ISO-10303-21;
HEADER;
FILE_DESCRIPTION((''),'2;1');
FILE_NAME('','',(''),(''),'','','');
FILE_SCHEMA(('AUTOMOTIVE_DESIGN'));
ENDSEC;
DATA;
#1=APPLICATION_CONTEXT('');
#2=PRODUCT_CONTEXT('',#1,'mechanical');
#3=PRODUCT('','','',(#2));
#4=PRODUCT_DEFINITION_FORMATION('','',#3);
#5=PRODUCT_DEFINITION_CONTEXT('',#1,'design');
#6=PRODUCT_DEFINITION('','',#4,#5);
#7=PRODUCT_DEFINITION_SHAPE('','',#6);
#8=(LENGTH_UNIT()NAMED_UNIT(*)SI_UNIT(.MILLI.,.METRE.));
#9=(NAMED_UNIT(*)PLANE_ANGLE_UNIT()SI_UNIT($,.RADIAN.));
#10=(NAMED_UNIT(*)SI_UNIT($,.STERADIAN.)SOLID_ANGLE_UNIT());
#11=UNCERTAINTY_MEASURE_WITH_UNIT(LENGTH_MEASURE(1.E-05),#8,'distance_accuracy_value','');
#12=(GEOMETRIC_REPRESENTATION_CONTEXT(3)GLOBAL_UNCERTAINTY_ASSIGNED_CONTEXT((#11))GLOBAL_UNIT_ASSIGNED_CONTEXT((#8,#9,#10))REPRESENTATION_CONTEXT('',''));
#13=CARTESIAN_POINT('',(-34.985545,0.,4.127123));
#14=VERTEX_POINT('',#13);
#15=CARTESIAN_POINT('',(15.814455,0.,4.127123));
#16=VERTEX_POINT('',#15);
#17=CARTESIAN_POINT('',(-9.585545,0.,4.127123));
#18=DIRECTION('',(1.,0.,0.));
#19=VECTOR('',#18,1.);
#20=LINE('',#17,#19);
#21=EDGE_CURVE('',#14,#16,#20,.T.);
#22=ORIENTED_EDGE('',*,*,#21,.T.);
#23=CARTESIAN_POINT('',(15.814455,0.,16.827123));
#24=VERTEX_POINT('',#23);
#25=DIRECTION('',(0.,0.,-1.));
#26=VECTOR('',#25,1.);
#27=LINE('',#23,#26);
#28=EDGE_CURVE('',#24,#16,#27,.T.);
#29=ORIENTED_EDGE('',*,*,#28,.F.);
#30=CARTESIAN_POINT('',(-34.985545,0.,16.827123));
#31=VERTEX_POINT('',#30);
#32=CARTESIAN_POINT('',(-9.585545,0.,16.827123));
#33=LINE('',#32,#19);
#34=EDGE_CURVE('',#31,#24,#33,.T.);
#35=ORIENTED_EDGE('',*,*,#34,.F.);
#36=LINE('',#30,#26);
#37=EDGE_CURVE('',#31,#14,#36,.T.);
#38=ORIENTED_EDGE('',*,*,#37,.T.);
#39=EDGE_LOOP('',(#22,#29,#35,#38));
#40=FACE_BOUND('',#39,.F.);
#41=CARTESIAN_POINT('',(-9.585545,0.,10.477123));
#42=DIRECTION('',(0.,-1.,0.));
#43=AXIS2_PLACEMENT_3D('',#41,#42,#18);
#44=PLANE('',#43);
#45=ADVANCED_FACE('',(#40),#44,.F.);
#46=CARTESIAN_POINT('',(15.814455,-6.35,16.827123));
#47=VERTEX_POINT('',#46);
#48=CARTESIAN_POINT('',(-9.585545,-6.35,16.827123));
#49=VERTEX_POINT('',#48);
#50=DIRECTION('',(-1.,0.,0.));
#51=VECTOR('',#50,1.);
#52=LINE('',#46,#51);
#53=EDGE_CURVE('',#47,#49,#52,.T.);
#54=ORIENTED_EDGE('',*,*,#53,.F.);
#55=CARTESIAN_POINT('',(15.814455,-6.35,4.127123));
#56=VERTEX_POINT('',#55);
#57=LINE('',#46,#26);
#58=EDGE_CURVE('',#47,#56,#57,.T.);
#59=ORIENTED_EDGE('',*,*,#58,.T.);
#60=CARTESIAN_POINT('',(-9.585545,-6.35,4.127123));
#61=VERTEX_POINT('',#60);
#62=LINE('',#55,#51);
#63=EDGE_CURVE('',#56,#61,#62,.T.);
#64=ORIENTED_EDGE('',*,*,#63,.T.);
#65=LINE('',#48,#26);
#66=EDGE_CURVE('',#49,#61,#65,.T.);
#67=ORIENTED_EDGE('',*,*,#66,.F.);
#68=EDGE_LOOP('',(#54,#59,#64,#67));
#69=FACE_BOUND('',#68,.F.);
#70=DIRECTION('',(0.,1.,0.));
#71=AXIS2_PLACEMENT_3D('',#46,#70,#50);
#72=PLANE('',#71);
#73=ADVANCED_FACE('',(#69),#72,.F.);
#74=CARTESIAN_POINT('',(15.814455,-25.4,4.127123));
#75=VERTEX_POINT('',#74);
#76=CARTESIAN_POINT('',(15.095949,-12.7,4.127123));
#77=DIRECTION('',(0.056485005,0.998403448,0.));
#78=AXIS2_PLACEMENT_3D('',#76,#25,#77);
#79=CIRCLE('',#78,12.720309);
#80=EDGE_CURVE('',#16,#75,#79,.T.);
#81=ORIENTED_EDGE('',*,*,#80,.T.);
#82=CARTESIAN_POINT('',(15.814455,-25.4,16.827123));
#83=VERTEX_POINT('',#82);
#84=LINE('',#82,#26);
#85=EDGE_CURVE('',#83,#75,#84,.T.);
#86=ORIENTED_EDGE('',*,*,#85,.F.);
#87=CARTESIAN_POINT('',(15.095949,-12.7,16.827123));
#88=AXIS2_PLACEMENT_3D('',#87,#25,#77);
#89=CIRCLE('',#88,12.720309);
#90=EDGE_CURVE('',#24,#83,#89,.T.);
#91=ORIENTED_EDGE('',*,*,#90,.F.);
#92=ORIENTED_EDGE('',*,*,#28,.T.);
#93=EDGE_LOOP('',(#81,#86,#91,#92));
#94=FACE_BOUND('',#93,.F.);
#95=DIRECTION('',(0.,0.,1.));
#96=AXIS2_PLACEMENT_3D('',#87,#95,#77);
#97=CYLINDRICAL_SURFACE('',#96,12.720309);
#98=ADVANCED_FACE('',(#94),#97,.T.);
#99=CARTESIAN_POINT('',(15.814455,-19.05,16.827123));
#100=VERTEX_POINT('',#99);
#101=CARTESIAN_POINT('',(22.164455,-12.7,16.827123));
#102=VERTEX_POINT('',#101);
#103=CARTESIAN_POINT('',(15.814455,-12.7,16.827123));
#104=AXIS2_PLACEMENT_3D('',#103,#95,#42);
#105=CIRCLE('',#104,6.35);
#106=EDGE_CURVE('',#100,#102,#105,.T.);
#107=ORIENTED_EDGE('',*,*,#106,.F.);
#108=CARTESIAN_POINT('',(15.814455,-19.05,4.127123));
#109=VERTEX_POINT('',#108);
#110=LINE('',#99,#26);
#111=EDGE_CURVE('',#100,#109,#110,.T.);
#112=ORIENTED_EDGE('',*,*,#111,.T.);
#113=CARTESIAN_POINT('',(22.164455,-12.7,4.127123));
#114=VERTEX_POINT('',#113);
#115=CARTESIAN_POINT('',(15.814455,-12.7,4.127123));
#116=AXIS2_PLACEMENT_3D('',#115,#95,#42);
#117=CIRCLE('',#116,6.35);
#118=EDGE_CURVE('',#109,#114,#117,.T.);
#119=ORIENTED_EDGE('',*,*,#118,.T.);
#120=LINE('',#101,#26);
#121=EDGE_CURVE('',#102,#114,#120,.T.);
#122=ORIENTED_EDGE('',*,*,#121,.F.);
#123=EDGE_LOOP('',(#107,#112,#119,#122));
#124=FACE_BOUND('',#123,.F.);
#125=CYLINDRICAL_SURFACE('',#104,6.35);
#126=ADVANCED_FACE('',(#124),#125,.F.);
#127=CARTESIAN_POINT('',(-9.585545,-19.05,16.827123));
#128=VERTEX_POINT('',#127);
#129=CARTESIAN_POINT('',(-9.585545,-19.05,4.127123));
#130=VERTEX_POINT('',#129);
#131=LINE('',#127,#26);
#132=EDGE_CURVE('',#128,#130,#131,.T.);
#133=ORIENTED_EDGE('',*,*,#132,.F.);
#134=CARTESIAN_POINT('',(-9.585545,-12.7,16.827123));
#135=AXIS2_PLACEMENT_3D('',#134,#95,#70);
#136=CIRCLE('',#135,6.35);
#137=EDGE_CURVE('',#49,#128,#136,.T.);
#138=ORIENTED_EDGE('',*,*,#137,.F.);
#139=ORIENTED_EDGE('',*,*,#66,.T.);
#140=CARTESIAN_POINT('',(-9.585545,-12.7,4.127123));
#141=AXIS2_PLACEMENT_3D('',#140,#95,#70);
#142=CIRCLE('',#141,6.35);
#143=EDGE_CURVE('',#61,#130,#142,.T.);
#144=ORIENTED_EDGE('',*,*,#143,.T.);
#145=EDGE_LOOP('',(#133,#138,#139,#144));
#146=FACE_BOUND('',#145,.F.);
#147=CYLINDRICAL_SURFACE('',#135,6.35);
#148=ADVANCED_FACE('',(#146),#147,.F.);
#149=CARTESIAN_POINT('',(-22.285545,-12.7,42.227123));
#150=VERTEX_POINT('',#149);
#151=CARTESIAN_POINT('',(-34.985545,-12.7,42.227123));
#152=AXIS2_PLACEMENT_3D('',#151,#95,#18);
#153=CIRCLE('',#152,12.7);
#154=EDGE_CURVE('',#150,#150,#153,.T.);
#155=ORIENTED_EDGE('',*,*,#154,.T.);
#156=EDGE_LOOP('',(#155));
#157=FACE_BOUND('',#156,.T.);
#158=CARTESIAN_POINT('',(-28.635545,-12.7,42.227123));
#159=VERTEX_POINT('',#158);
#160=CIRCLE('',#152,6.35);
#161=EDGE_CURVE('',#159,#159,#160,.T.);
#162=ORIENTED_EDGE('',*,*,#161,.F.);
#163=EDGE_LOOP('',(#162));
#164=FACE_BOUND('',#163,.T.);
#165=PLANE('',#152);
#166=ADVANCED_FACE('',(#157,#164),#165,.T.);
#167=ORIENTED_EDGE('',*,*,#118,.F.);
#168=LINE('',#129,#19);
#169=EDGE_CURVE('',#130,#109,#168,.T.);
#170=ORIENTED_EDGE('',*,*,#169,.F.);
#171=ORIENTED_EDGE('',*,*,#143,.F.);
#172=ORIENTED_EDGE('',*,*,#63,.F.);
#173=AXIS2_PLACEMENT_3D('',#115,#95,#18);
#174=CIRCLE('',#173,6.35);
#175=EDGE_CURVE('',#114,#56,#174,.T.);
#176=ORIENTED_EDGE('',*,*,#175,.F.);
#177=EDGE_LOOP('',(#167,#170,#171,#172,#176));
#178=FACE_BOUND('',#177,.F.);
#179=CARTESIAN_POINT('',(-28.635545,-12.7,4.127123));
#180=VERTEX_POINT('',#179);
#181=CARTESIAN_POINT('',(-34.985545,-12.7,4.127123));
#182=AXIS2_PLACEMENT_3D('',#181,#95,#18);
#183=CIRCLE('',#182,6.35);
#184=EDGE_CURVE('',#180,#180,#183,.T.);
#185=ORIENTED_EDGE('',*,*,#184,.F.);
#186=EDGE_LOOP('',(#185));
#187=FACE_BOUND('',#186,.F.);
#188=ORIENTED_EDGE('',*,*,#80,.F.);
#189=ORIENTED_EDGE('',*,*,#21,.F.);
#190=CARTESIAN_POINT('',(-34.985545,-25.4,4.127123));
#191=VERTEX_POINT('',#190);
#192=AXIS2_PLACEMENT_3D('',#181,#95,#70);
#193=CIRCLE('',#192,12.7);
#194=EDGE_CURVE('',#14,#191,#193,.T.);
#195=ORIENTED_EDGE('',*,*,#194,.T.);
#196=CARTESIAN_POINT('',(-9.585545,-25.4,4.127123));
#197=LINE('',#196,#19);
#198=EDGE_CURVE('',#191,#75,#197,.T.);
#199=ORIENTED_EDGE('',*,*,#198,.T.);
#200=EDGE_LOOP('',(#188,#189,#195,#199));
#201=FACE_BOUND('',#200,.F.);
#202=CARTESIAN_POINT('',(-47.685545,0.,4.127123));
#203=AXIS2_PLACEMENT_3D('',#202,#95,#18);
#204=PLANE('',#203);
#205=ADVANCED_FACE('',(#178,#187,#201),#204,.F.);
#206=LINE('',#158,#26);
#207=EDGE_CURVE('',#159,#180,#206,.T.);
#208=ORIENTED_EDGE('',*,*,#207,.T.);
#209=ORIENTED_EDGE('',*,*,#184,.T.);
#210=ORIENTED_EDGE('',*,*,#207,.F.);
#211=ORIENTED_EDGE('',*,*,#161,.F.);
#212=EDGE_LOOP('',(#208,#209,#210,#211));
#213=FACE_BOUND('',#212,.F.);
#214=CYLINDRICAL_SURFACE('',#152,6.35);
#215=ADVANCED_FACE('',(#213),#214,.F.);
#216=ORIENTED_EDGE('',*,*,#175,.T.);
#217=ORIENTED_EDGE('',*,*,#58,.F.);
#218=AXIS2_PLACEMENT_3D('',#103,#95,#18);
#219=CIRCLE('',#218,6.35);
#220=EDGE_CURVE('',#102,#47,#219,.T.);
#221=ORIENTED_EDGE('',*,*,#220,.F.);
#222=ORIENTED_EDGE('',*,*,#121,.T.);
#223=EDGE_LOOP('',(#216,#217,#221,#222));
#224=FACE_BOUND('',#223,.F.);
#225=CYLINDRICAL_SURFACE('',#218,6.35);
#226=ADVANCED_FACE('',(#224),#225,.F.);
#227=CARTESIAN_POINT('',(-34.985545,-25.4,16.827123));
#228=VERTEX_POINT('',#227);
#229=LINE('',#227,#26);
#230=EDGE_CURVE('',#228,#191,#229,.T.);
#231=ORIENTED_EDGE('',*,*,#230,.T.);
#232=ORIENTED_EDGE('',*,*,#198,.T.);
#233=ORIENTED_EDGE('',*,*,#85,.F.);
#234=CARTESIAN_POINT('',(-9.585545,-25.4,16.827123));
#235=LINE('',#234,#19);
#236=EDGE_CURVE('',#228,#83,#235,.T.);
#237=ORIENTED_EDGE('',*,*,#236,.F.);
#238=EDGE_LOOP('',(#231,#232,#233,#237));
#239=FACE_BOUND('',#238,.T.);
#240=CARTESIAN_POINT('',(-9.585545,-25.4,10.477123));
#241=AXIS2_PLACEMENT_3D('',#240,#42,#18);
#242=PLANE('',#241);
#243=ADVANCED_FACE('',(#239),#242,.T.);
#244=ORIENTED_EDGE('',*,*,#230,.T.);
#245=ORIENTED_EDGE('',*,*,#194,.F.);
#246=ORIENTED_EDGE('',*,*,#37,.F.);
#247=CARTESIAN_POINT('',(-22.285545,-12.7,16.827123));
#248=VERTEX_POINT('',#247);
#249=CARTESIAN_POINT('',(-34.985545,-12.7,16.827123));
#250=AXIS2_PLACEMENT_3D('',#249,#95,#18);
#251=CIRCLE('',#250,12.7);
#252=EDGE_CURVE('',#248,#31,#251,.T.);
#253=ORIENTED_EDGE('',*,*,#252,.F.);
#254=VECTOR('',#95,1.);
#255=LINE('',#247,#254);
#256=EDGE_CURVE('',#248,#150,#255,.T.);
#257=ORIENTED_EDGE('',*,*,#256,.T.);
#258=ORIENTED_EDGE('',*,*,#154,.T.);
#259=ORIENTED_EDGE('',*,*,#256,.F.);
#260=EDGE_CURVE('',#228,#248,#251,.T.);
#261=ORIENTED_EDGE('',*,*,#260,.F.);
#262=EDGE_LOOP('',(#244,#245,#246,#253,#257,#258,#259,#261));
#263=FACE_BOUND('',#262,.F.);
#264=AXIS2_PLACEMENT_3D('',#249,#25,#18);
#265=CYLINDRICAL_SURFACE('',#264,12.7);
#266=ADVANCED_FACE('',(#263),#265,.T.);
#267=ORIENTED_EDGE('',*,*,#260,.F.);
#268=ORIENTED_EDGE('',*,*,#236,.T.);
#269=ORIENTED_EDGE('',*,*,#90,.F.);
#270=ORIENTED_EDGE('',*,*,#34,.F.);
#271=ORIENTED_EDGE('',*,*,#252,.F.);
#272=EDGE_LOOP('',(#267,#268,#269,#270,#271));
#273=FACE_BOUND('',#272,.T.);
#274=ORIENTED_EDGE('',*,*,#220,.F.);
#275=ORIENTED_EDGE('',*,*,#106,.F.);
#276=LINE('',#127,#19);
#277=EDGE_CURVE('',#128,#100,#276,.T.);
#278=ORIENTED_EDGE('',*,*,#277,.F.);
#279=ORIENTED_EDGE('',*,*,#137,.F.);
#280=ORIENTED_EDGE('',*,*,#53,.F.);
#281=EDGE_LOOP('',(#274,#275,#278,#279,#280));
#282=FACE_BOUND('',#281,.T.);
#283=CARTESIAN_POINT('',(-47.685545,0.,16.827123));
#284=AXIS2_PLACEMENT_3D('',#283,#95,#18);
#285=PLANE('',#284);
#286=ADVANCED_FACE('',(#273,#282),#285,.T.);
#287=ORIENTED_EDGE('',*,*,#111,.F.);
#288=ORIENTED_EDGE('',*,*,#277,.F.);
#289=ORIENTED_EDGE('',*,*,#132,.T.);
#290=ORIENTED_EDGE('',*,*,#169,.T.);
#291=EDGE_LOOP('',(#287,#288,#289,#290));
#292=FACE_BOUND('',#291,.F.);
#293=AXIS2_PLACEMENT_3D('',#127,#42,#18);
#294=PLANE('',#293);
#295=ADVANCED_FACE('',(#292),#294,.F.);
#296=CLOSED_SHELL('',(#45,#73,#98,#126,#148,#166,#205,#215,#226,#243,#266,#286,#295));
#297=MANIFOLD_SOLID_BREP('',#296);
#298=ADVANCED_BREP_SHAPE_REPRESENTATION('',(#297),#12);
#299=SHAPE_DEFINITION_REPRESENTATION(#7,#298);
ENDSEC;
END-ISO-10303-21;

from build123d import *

# Parameters (mm, degrees)
F0_W     = 76.2
F0_H     = 12.7
F1_DEPTH = 25.4
F2_R     = 12.7
F3_DEPTH = 25.4
F4_DEPTH = 12.7
F5_R     = 6.35
F6_DEPTH = 38.1
F8_DEPTH = 12.7


with BuildPart() as f1:
    # F0 (on Front) → F1 (new body)
    with BuildSketch(Plane.XZ):
        with Locations((-9.585544682, 10.4771234242)):
            Rectangle(F0_W, F0_H)
    extrude(amount=F1_DEPTH)

    # F2 (on face) → F3 (join)
    with BuildSketch(Plane.XY.offset(16.8271234242)):
        with Locations((-34.985544682, -12.7)):
            Circle(F2_R)
    extrude(amount=F3_DEPTH)

    # F4 (cut): faces of the model
    f4_faces = [f1.faces().sort_by_distance(p)[0] for p in [
        (-44.8487718574, -2.8367728246, 16.8271234242),
        (-44.8487718574, -22.5632271754, 16.8271234242),
    ]]
    extrude(f4_faces, amount=-F4_DEPTH, mode=Mode.SUBTRACT)

    # F5 (on face) → F6 (cut)
    with BuildSketch(Plane.XY.offset(42.2271234242)):
        with Locations((-34.985544682, -12.7)):
            Circle(F5_R)
    extrude(amount=-F6_DEPTH, mode=Mode.SUBTRACT)

    # F7 (on face) → F8 (cut)
    with BuildSketch(Plane.XY.offset(16.8271234242)):
        with BuildLine():
            ThreePointArc((-9.585544682, -19.05), (-5.0954166214, -17.1901280605), (-3.235544682, -12.7))
            ThreePointArc((-3.235544682, -12.7), (-5.0954166214, -8.2098719395), (-9.585544682, -6.35))
            ThreePointArc((-9.585544682, -6.35), (-15.935544682, -12.7), (-9.585544682, -19.05))
        make_face()
        with BuildLine():
            ThreePointArc((-9.585544682, -6.35), (-5.0954166214, -8.2098719395), (-3.235544682, -12.7))
            ThreePointArc((-3.235544682, -12.7), (-5.0954166214, -17.1901280605), (-9.585544682, -19.05))
            Line((-9.585544682, -19.05), (15.814455318, -19.05))
            ThreePointArc((15.814455318, -19.05), (9.464455318, -12.7), (15.814455318, -6.35))
            Line((15.814455318, -6.35), (-9.585544682, -6.35))
        make_face()
        with BuildLine():
            ThreePointArc((22.164455318, -12.7), (20.3045833786, -8.2098719395), (15.814455318, -6.35))
            ThreePointArc((15.814455318, -6.35), (9.464455318, -12.7), (15.814455318, -19.05))
            ThreePointArc((15.814455318, -19.05), (20.3045833786, -17.1901280605), (22.164455318, -12.7))
        make_face()
        with BuildLine():
            ThreePointArc((15.814455318, 0), (27.816257265, -12.7), (15.814455318, -25.4))
            Line((15.814455318, -25.4), (28.514455318, -25.4))
            Line((28.514455318, -25.4), (28.514455318, 0))
            Line((28.514455318, 0), (15.814455318, 0))
        make_face()
    extrude(amount=-F8_DEPTH, mode=Mode.SUBTRACT)


solid = f1.part
